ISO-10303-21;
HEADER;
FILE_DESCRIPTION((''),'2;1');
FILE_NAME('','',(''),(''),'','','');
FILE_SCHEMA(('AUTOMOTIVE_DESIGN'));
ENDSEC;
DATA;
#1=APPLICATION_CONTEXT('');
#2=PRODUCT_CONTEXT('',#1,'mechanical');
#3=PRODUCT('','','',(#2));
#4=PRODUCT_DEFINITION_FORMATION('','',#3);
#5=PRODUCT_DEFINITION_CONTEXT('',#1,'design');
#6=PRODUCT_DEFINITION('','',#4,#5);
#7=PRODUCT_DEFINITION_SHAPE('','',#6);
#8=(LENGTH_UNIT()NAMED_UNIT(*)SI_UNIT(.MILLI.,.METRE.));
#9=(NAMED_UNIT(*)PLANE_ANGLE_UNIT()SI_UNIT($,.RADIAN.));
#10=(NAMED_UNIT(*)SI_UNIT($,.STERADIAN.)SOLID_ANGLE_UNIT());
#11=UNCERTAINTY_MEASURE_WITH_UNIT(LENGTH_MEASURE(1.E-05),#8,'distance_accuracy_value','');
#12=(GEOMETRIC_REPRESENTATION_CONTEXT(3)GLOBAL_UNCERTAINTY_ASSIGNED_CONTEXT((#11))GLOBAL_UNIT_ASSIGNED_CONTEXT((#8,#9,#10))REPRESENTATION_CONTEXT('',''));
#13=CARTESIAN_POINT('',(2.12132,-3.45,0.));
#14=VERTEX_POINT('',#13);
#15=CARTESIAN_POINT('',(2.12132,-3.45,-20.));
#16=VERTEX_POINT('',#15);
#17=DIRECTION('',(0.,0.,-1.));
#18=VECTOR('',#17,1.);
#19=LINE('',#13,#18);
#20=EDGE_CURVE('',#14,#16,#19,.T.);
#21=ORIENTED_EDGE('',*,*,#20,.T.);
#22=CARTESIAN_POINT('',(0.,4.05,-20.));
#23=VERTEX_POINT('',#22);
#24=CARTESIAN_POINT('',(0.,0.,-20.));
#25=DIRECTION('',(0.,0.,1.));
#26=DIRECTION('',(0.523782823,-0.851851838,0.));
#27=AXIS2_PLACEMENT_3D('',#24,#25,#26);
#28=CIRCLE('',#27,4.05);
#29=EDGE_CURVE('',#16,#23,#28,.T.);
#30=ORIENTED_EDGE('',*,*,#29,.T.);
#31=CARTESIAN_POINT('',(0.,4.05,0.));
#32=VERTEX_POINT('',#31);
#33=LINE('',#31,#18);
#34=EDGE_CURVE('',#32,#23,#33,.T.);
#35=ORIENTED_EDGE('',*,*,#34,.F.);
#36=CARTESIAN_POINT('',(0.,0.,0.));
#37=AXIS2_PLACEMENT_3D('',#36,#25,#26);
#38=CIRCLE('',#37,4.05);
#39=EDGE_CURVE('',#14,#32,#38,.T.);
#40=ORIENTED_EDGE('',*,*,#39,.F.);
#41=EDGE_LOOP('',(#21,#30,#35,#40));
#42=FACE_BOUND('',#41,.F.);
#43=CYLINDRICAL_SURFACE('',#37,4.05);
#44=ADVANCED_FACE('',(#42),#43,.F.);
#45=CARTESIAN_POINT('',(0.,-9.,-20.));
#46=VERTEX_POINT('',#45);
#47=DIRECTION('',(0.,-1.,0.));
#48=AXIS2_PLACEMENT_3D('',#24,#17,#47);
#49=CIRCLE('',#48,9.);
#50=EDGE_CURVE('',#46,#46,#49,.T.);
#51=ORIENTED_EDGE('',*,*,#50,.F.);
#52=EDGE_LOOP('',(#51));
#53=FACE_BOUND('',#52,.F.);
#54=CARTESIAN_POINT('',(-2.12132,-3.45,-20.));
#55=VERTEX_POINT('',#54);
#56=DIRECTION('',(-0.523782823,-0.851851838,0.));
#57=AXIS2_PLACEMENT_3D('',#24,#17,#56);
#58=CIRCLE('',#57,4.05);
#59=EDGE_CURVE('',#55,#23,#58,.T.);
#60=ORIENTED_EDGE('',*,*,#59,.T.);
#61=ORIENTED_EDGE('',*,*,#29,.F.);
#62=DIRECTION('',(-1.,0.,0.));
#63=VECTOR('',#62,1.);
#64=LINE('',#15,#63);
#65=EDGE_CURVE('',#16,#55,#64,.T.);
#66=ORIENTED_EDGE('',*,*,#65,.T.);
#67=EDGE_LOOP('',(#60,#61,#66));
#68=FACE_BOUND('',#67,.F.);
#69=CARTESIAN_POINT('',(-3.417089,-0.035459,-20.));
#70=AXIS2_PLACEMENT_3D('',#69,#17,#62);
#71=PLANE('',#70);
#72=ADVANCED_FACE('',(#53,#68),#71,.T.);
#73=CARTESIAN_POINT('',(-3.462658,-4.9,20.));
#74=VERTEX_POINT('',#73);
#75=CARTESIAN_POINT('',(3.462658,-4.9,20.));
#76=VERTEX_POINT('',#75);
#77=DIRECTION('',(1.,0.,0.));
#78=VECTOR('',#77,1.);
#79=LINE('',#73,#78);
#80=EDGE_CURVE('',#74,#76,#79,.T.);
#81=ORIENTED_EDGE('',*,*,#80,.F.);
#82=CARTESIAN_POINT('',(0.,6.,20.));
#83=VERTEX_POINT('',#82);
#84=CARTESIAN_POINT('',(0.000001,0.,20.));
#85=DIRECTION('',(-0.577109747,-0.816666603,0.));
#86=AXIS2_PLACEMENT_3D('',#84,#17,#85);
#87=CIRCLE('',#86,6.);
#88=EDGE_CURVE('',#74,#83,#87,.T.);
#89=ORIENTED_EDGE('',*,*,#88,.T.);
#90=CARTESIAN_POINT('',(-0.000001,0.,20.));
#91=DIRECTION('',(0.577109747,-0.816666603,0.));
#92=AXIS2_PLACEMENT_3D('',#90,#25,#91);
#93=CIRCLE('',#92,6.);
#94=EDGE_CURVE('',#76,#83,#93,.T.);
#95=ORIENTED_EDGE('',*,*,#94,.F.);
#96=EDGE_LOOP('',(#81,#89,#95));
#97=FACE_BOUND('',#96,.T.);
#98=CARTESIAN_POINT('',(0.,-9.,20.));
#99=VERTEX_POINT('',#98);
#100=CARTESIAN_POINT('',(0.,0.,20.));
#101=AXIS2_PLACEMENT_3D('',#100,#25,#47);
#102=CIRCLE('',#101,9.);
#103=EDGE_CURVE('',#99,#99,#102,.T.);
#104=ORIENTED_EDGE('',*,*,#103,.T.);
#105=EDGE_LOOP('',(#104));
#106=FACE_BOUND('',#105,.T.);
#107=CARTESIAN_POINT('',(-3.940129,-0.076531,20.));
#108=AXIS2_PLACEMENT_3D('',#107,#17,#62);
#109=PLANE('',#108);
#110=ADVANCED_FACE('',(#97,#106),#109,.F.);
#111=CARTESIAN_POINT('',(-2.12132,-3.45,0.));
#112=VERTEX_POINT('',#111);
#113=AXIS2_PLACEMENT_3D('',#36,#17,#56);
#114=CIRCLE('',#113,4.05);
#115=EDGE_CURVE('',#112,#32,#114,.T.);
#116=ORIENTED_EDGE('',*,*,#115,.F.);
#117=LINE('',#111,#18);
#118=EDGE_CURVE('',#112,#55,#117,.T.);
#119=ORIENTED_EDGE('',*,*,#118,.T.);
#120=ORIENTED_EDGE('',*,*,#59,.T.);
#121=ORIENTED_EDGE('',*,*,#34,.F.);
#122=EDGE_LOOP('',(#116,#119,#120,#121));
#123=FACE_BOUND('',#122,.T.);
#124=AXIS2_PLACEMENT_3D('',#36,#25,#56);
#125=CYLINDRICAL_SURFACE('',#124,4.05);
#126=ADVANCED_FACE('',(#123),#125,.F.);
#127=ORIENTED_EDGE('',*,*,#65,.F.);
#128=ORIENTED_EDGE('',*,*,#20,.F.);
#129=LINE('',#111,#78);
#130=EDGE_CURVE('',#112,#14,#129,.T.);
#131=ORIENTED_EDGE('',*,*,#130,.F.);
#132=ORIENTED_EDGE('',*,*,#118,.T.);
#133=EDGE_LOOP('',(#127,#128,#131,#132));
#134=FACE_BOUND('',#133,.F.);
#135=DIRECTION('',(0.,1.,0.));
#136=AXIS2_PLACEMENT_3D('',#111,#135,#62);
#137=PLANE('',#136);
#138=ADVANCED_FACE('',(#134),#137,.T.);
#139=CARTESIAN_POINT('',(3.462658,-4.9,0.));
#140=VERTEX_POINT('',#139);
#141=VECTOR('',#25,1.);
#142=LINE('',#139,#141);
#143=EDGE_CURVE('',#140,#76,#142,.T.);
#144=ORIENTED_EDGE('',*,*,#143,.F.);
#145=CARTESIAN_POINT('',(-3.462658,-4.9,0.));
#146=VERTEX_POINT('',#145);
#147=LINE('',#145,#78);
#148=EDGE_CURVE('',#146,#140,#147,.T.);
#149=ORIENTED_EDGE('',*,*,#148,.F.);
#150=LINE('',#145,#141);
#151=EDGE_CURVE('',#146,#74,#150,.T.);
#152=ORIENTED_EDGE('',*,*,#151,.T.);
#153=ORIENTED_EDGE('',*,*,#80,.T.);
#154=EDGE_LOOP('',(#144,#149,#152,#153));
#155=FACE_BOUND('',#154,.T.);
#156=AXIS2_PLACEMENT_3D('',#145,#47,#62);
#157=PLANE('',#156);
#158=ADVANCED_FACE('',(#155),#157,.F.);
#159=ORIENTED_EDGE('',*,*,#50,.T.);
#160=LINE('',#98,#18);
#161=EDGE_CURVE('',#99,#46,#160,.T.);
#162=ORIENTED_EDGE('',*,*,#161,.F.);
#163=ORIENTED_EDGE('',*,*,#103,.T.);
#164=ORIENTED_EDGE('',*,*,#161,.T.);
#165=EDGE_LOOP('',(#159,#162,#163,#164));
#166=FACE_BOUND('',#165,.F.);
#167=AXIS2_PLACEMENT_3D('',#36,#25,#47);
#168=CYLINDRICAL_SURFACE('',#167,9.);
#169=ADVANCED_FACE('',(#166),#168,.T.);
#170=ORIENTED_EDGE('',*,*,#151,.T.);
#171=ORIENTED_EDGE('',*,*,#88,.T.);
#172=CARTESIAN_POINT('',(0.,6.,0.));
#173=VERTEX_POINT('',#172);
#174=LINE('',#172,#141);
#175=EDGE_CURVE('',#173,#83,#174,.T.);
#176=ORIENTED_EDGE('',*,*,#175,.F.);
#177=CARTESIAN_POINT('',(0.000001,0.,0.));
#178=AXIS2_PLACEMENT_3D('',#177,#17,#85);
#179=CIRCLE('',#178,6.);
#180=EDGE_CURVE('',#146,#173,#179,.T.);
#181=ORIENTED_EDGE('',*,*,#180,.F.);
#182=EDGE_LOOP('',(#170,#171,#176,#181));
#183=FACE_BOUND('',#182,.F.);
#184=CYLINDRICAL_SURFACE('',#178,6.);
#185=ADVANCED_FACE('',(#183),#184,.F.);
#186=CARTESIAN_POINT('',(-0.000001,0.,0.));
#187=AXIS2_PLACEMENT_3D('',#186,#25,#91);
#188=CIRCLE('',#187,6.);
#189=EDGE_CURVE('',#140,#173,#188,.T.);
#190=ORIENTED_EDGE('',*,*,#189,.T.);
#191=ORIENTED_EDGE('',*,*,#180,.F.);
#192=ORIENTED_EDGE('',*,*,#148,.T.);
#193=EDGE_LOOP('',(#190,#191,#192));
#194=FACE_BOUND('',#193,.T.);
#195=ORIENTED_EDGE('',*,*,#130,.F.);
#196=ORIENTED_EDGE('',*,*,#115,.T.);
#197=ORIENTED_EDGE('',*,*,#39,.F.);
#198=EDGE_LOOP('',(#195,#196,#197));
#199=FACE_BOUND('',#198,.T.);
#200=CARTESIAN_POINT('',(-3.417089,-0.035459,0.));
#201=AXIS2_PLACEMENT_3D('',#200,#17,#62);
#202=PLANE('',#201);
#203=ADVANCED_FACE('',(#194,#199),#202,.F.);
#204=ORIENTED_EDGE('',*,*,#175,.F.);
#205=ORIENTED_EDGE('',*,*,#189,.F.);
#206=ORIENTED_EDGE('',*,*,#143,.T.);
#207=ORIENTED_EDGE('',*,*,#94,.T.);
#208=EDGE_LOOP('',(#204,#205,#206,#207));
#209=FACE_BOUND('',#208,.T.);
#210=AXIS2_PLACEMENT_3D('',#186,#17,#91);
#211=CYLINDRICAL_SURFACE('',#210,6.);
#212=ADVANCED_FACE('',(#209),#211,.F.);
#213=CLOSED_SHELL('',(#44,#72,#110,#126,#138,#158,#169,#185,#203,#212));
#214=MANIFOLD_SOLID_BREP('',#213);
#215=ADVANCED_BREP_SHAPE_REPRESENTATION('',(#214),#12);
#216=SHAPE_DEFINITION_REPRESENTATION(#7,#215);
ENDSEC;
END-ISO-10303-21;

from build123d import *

# Parameters (mm, degrees)
PAD_DEPTH    = 20
PAD001_DEPTH = 20


with BuildPart() as part:
    # Sketch001 → Pad (new body)
    with BuildSketch(Plane.XY):
        with BuildLine():
            ThreePointArc((3.462658, -4.9), (5.718391, 1.81659), (0, 6))
            Line((0, 6), (0, 9))
            ThreePointArc((0, -9), (9, 0), (0, 9))
            Line((0, -4.9), (0, -9))
            Line((3.462658, -4.9), (0, -4.9))
        make_face()
    pad = extrude(amount=PAD_DEPTH)

    # Sketch002 → Pad001 (join)
    with BuildSketch(Plane.XY):
        with BuildLine():
            ThreePointArc((2.12132, -3.45), (3.897114, 1.10227), (0, 4.05))
            Line((0, 4.05), (0, 9))
            ThreePointArc((0, -9), (9, 0), (0, 9))
            Line((0, -3.45), (0, -9))
            Line((2.12132, -3.45), (0, -3.45))
        make_face()
    pad001 = extrude(amount=-PAD001_DEPTH)

    # Mirrored: Pad, Pad001 across Sketch001 V_Axis
    add(pad.mirror(Plane(origin=(0, 0, 0), x_dir=(0, 0, 1), z_dir=(1, 0, 0))))
    add(pad001.mirror(Plane(origin=(0, 0, 0), x_dir=(0, 0, 1), z_dir=(1, 0, 0))))


solid = part.part
